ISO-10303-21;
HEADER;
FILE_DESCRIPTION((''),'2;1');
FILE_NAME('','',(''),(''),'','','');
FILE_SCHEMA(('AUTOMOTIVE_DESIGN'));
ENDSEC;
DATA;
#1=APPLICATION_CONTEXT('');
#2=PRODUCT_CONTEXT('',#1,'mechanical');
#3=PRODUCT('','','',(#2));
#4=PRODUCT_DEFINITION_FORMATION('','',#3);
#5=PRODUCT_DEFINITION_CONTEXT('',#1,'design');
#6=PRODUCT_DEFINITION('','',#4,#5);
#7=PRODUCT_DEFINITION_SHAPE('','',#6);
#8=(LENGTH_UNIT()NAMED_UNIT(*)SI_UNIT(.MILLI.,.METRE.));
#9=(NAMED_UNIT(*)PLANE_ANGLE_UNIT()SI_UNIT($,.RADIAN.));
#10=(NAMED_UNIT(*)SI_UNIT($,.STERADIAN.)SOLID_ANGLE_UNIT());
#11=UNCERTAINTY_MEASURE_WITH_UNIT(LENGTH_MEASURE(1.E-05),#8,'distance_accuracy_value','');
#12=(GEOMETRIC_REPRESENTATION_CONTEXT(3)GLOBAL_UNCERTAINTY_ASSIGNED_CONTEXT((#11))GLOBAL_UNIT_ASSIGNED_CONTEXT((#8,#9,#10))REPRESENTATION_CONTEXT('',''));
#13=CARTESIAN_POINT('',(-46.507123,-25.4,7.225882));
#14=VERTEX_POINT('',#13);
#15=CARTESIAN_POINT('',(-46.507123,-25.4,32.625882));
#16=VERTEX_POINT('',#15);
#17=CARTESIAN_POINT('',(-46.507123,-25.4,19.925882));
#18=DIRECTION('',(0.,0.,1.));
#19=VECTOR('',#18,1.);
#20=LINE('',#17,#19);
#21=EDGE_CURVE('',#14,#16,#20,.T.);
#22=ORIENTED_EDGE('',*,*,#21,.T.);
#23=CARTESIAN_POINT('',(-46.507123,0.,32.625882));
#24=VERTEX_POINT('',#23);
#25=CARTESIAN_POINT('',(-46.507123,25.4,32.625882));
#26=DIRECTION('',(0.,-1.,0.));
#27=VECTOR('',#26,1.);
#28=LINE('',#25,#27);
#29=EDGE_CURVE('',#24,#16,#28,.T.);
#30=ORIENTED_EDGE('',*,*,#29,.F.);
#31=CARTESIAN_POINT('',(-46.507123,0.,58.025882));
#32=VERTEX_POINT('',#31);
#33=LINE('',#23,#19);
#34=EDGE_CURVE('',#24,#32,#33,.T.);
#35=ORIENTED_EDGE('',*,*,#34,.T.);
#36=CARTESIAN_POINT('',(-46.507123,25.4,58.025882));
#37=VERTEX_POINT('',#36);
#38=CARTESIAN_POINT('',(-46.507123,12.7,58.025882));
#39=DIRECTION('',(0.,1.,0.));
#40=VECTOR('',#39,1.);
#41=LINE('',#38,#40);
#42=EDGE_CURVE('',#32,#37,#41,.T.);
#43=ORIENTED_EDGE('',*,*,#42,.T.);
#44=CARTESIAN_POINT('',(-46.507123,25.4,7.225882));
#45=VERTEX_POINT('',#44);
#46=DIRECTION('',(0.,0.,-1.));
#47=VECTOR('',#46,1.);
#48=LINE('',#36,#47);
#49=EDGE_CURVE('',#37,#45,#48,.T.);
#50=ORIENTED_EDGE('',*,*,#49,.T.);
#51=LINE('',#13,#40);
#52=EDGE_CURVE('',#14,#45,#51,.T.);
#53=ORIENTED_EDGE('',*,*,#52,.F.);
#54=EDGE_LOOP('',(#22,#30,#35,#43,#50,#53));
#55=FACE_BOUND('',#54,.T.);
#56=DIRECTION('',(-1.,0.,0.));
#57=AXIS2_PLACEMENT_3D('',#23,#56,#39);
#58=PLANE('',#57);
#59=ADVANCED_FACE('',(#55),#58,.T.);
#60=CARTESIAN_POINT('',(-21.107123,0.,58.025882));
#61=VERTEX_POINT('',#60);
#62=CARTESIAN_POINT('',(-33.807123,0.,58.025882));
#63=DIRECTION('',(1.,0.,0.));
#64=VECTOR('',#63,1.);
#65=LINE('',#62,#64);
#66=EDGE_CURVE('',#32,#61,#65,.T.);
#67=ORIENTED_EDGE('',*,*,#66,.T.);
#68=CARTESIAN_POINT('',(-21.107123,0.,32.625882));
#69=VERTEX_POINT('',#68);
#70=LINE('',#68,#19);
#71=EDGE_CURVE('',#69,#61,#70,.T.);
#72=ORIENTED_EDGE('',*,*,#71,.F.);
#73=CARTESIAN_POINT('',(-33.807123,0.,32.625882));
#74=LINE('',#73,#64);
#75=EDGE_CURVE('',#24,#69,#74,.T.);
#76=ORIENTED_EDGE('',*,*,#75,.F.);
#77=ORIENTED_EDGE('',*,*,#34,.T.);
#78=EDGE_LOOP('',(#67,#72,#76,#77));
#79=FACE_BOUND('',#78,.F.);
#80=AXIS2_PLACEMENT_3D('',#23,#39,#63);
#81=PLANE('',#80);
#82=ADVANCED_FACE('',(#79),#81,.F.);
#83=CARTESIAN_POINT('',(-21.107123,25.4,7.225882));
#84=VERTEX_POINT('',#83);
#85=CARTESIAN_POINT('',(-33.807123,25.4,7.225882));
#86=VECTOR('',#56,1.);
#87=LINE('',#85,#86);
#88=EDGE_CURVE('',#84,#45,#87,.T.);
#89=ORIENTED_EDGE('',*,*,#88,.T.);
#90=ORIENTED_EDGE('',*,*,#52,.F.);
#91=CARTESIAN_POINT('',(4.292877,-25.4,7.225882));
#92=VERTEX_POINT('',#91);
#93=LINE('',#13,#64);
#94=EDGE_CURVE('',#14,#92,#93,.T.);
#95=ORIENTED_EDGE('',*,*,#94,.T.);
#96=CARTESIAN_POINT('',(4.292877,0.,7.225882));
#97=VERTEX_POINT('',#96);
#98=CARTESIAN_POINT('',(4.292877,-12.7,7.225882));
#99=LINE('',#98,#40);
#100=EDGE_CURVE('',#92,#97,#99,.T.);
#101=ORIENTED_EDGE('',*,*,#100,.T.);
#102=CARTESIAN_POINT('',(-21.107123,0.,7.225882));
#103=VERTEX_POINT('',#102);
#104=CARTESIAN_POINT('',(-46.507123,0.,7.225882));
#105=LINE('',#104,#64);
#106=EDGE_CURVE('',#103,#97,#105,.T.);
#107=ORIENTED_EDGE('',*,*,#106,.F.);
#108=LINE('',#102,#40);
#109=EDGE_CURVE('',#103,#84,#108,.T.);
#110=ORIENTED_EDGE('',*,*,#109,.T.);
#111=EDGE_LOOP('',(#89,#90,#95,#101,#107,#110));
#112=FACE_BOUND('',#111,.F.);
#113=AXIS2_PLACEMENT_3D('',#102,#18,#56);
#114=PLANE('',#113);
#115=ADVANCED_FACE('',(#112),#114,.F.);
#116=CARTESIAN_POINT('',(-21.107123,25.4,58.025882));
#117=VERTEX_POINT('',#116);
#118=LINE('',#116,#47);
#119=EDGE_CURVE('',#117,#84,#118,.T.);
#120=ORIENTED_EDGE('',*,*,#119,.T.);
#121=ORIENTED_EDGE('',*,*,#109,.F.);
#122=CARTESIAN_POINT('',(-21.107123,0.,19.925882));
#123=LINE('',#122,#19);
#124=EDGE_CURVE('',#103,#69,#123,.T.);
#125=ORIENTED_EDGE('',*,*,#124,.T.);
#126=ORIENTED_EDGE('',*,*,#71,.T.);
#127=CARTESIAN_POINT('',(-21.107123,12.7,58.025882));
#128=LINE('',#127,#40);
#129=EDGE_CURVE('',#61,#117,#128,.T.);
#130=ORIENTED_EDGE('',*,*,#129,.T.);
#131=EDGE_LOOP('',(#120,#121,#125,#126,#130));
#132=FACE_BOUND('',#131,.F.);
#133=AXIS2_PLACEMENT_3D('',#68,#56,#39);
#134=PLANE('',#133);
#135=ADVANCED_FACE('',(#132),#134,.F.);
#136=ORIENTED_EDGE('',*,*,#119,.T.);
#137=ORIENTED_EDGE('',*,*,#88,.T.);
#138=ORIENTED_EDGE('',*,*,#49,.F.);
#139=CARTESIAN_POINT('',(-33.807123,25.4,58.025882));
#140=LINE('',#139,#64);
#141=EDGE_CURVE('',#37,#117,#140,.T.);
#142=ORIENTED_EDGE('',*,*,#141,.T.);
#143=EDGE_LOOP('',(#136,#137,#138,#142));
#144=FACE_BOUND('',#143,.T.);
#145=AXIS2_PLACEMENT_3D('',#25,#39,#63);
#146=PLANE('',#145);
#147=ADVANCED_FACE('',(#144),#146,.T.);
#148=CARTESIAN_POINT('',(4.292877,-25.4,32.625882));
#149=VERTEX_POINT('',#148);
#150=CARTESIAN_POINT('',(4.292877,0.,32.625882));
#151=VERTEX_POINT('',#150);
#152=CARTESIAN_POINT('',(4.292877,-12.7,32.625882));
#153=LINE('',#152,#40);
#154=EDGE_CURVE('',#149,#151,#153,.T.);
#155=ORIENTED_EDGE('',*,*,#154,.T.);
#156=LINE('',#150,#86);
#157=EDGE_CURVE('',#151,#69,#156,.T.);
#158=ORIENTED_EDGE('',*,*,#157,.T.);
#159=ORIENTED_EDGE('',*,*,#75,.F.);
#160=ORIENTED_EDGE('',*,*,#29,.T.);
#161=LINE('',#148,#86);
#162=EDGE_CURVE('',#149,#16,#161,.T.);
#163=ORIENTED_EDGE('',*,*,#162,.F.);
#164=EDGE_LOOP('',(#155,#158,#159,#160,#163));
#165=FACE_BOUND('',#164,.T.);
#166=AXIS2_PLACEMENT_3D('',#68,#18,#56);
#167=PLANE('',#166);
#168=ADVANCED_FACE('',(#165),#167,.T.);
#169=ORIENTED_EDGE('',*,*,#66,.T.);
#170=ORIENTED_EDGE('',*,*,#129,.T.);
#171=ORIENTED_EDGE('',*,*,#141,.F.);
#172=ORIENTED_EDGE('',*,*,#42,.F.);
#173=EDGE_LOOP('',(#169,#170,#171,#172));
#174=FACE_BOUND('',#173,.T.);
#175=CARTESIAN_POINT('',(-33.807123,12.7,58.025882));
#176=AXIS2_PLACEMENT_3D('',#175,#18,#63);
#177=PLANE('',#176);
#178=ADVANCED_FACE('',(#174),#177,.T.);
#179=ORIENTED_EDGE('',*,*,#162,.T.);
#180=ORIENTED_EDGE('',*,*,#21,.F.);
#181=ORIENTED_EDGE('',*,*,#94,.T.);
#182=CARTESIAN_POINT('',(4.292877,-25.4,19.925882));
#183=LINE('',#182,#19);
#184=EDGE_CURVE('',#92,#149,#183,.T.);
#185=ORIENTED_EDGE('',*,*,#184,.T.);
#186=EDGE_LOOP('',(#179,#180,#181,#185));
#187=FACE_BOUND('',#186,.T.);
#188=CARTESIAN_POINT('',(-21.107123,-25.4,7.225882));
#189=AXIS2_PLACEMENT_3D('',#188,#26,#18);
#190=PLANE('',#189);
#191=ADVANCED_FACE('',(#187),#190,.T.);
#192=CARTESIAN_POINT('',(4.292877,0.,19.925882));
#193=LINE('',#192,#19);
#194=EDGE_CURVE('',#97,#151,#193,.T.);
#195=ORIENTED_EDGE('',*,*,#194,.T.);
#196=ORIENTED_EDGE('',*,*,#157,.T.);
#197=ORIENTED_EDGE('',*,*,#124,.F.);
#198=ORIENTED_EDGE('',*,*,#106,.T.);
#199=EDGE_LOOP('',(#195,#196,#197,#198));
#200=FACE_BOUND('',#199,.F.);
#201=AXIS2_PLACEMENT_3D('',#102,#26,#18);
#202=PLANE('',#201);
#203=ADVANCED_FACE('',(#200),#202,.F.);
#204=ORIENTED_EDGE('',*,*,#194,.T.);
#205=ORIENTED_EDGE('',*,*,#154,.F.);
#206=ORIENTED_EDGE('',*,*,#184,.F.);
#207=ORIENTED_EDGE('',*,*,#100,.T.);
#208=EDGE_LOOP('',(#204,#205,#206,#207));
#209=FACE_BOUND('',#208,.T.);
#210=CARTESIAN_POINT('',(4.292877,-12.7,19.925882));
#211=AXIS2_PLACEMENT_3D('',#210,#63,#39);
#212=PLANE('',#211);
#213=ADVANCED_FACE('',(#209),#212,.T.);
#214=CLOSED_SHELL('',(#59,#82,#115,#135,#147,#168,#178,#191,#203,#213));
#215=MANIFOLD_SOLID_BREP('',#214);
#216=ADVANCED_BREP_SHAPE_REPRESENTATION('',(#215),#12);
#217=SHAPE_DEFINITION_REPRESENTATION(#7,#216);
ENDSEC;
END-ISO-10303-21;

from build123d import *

# Parameters (mm, degrees)
F0_W     = 25.4
F0_H     = 25.4
F1_DEPTH = 25.4
F2_W     = 25.4
F2_H     = 25.4
F3_DEPTH = 25.4
F4_W     = 25.4
F4_H     = 25.4
F5_DEPTH = 25.4
F6_W     = 25.4
F6_H     = 25.4
F7_DEPTH = 25.4


with BuildPart() as f1:
    # F0 (on Front) → F1 (new body)
    with BuildSketch(Plane.XZ):
        with Locations((-33.807123, 19.925882)):
            Rectangle(F0_W, F0_H)
    extrude(amount=F1_DEPTH)

    # F2 (on face) → F3 (join)
    with BuildSketch(Plane.YZ.offset(-21.107123)):
        with Locations((-12.7, 19.925882)):
            Rectangle(F2_W, F2_H)
    extrude(amount=F3_DEPTH)

    # F4 (on face) → F5 (join)
    with BuildSketch(Plane(origin=(0, 0, 0), x_dir=(-1, 0, 0), z_dir=(0, 1, 0))):
        with Locations((33.807123, 19.925882)):
            Rectangle(F4_W, F4_H)
    extrude(amount=F5_DEPTH)

    # F6 (on face) → F7 (join)
    with BuildSketch(Plane.XY.offset(32.625882)):
        with Locations((-33.807123, 12.7)):
            Rectangle(F6_W, F6_H)
    extrude(amount=F7_DEPTH)


solid = f1.part
